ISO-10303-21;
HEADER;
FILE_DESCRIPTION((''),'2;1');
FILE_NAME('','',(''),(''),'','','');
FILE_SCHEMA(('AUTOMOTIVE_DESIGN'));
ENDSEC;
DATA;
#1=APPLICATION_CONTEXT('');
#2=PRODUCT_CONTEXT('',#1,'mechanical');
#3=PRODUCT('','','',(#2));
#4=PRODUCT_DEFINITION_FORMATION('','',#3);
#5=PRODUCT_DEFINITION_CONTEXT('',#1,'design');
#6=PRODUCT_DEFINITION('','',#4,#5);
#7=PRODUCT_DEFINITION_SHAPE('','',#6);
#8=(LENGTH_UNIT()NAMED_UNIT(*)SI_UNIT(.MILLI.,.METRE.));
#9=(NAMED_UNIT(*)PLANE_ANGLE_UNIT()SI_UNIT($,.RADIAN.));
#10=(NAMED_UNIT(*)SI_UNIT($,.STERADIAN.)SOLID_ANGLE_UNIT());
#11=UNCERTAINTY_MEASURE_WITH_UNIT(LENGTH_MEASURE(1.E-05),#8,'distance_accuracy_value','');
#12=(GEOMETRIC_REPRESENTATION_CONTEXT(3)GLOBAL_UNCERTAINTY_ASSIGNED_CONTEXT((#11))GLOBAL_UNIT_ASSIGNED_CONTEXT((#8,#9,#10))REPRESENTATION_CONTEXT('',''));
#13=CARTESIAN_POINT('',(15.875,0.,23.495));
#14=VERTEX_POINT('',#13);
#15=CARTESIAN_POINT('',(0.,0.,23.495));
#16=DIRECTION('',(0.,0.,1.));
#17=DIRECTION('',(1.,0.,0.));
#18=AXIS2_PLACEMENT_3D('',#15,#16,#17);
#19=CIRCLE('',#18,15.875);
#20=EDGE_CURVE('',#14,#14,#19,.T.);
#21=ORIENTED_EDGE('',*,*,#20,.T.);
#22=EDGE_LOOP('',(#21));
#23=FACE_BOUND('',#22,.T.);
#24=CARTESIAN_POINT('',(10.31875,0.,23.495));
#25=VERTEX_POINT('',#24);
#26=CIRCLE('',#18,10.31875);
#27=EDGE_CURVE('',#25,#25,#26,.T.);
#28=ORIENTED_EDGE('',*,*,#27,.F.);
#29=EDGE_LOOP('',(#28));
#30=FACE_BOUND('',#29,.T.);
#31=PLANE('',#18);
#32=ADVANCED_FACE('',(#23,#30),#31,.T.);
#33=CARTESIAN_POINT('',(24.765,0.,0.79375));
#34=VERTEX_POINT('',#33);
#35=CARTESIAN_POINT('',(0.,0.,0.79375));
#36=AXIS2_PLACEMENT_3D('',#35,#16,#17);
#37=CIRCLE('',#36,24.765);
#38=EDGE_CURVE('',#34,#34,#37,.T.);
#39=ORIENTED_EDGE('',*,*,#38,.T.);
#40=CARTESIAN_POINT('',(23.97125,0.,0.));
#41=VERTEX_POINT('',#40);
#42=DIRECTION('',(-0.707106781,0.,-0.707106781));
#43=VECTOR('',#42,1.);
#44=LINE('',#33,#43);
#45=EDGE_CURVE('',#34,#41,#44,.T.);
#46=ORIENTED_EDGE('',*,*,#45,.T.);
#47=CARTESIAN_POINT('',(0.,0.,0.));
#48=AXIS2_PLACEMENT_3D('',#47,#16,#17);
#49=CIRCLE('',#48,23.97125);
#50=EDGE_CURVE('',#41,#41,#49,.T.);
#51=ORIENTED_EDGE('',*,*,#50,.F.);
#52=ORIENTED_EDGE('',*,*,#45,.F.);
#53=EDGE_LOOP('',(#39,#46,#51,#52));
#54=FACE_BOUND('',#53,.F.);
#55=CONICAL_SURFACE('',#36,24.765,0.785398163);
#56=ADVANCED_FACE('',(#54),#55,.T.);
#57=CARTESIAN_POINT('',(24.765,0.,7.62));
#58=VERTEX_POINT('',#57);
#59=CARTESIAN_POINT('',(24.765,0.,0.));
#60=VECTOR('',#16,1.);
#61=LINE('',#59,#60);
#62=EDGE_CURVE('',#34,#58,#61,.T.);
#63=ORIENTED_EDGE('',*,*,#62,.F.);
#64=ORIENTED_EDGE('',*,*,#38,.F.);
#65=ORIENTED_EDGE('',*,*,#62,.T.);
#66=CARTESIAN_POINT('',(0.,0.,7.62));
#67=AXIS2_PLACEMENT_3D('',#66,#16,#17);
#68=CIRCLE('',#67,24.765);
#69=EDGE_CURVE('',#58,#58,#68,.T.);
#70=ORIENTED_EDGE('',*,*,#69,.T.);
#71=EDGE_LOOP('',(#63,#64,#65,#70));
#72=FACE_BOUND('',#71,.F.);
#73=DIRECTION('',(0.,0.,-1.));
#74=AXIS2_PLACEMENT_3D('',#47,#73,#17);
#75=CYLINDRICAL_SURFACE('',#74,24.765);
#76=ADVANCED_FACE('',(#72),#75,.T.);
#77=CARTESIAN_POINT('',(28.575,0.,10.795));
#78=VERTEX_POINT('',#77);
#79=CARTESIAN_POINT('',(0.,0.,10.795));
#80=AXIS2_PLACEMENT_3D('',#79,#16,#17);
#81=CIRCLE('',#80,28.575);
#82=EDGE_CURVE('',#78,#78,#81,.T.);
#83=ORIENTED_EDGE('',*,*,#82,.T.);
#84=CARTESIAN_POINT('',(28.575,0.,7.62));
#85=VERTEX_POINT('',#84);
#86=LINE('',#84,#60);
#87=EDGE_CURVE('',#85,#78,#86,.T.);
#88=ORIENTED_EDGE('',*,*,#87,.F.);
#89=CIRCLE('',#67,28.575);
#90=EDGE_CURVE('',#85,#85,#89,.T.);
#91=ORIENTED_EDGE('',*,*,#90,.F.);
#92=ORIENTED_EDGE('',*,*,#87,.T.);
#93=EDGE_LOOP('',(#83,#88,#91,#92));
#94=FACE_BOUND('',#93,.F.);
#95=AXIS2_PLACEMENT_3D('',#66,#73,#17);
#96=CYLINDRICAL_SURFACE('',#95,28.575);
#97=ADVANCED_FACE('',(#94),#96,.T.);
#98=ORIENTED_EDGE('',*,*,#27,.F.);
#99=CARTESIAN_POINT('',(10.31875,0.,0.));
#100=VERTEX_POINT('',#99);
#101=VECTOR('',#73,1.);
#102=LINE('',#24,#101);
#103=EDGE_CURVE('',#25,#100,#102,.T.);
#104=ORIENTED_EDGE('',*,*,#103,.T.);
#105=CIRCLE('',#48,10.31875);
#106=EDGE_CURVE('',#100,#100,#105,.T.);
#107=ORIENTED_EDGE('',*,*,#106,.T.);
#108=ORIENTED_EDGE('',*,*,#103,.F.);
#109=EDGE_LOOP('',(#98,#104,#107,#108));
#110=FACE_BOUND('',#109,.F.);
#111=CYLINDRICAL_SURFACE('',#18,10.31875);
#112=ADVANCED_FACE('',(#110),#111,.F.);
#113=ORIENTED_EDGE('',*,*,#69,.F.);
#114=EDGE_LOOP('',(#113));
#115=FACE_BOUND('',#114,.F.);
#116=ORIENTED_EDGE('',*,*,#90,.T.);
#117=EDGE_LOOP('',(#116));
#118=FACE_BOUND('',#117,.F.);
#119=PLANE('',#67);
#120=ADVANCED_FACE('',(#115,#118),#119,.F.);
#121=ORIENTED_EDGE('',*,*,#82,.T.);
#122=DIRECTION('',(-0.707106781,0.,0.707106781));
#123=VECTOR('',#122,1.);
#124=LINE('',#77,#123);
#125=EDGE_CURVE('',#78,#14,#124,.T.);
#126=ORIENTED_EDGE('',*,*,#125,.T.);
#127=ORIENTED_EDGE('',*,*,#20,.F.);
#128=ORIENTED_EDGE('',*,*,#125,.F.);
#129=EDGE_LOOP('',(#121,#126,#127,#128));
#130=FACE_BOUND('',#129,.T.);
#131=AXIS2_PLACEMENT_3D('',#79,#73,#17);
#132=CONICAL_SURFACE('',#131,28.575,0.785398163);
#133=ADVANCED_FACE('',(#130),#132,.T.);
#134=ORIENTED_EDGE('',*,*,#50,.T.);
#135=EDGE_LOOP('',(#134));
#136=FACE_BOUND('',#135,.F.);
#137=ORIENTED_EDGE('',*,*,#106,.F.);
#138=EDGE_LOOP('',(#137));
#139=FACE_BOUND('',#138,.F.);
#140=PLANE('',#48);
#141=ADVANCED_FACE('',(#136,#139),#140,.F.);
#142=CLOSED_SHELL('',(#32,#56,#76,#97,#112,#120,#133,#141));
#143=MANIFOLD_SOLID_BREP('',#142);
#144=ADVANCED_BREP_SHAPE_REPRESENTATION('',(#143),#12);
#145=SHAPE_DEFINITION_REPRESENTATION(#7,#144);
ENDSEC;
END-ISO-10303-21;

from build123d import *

# Parameters (mm, degrees)
F0_R     = 24.765
F1_DEPTH = 7.62
F2_R     = 28.575
F3_DEPTH = 15.875
F4_SIZE2 = 12.7
F4_SIZE  = 12.7
F5_R     = 10.31875
F6_DEPTH = 23.496
F7_SIZE  = 0.79375


with BuildPart() as f1:
    # F0 (on Top) → F1 (new body)
    with BuildSketch(Plane.XY):
        Circle(F0_R)
    extrude(amount=F1_DEPTH)

    # F2 (on face) → F3 (join)
    with BuildSketch(Plane.XY.offset(7.62)):
        Circle(F2_R)
    extrude(amount=F3_DEPTH)

    # F4
    f4_edges = [f1.edges().sort_by_distance(p)[0] for p in [
        (-28.575, 0, 23.495),
    ]]
    chamfer(f4_edges, length=F4_SIZE, length2=F4_SIZE2)

    # F5 (on face) → F6 (cut, through all)
    with BuildSketch(Plane.XY.offset(23.495)):
        Circle(F5_R)
    extrude(amount=-F6_DEPTH, mode=Mode.SUBTRACT)

    # F7
    f7_edges = [f1.edges().sort_by_distance(p)[0] for p in [
        (-24.765, 0, 0),
    ]]
    chamfer(f7_edges, length=F7_SIZE)


solid = f1.part
